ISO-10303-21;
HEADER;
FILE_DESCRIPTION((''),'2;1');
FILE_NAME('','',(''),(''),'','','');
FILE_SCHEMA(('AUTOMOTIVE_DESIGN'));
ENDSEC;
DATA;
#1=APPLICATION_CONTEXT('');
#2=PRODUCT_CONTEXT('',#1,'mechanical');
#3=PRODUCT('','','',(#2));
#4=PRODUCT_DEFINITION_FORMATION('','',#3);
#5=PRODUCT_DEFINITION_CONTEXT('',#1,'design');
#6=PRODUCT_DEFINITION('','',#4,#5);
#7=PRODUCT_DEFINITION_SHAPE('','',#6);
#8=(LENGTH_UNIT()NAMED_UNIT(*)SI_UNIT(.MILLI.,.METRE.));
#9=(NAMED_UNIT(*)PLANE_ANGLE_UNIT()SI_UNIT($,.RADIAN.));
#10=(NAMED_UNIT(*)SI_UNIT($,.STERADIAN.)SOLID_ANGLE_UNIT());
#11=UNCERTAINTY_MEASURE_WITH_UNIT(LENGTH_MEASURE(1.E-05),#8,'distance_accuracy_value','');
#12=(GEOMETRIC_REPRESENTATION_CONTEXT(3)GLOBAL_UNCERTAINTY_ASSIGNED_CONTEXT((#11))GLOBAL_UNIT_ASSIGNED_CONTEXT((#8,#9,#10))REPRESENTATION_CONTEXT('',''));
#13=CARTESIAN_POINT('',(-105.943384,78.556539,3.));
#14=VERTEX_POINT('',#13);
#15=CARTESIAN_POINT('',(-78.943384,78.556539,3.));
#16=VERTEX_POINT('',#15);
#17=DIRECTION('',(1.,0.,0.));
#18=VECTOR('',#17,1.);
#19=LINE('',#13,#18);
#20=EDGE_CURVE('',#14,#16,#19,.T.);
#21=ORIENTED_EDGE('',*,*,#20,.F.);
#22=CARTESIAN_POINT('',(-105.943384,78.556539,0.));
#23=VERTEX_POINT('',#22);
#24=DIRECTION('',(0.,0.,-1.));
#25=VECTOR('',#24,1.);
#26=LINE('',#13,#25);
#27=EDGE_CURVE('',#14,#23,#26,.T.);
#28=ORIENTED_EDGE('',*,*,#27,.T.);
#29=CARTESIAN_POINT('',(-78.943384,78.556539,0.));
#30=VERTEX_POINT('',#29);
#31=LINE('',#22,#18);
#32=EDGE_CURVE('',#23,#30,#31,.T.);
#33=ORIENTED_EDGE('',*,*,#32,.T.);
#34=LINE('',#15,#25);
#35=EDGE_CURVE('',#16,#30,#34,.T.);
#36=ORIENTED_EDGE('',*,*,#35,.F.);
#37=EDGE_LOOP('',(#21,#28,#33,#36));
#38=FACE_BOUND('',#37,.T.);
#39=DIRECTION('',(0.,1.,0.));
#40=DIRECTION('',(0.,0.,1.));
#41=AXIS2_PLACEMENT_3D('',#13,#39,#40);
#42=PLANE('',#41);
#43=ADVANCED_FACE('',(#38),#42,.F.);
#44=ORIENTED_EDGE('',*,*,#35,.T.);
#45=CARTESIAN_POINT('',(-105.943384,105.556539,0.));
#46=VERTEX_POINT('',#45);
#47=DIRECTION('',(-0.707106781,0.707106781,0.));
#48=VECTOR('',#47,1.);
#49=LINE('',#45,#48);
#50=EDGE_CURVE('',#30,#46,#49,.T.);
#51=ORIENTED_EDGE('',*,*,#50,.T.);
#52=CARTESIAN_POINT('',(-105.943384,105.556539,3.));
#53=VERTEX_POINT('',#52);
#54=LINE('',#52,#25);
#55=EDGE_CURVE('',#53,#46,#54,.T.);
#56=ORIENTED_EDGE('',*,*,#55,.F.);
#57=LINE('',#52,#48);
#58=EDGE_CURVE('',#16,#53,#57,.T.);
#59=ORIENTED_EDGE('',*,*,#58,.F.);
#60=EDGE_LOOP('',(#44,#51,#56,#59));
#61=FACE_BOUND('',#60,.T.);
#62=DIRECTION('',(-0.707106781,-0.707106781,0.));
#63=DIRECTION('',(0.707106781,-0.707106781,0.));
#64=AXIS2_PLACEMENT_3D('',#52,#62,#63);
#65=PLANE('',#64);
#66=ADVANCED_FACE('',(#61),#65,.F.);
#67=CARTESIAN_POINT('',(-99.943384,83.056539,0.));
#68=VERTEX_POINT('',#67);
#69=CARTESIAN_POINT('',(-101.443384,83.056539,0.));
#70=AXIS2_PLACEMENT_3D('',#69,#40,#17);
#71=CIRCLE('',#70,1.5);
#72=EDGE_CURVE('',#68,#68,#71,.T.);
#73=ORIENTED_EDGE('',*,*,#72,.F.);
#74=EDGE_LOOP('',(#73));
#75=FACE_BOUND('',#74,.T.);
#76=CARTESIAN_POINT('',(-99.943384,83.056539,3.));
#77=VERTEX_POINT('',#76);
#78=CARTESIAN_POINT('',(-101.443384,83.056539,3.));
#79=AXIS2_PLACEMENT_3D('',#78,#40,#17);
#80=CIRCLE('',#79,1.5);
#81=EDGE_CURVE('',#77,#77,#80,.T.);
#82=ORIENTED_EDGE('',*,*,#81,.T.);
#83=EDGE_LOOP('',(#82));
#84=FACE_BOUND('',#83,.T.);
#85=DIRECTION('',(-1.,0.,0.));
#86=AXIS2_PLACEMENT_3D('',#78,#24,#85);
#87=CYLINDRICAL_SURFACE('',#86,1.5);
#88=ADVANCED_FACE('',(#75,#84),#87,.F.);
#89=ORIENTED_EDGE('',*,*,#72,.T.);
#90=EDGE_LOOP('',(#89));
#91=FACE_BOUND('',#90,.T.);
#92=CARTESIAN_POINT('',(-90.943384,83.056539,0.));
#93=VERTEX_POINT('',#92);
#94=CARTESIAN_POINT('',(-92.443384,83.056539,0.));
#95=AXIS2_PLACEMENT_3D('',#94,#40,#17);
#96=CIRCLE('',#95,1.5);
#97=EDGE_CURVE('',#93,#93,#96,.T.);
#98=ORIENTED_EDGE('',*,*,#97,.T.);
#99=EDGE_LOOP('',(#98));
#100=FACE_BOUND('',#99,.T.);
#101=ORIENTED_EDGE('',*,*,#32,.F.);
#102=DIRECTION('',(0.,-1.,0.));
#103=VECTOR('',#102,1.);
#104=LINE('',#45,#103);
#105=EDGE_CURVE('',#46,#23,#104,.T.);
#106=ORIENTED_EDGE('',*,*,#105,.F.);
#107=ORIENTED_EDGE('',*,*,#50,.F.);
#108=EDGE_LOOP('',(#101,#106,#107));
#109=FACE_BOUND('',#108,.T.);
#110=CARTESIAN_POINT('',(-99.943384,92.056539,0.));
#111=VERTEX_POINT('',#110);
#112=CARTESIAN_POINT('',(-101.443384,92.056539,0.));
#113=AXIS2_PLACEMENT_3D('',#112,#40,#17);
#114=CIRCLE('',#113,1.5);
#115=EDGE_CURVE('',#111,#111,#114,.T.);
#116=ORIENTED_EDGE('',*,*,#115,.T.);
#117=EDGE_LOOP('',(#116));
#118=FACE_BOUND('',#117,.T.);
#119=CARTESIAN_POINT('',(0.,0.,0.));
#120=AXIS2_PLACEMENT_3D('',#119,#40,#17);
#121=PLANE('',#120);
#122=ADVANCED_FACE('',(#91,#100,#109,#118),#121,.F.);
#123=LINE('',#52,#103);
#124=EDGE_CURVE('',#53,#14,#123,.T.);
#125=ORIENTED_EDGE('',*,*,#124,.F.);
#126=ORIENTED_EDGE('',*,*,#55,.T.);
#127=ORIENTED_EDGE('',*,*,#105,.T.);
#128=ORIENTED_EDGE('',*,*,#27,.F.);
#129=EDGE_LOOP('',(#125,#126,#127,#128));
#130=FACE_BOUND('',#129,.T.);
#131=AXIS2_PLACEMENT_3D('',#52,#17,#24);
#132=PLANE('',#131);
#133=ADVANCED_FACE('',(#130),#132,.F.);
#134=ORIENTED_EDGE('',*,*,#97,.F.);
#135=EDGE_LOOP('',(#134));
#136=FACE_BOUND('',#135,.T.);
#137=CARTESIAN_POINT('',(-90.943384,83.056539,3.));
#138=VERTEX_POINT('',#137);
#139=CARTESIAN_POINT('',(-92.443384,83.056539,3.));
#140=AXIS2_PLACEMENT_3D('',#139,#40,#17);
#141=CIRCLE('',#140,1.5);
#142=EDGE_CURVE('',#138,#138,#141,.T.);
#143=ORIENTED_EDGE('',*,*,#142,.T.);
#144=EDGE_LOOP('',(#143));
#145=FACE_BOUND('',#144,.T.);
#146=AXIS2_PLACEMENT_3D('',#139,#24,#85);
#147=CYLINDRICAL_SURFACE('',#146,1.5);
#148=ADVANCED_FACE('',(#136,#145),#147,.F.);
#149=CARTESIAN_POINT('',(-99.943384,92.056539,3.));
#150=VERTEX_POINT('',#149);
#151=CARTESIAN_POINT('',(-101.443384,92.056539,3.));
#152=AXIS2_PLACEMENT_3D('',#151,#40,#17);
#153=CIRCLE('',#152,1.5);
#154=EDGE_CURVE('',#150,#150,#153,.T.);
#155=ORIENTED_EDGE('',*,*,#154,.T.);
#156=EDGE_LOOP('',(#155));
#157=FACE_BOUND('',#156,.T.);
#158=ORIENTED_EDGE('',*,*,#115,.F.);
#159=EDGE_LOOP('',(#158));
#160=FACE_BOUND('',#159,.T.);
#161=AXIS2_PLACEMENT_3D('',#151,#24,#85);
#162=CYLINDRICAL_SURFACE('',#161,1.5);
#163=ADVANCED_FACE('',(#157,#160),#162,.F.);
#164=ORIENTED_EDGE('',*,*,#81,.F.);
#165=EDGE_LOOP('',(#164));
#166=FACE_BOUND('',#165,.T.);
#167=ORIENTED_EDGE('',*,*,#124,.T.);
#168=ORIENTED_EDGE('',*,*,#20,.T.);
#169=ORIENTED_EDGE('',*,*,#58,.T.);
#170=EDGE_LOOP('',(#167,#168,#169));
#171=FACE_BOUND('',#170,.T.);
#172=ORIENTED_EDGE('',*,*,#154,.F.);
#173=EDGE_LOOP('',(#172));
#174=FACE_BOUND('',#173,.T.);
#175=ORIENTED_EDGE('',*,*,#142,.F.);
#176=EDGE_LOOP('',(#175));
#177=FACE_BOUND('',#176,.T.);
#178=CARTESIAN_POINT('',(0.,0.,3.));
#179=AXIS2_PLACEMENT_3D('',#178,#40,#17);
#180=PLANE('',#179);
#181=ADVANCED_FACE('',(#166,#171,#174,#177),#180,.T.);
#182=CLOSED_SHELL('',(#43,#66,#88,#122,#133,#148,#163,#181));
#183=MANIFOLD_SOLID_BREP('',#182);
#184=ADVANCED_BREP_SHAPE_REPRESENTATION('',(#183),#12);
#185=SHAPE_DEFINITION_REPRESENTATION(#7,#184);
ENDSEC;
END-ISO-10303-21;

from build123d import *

# Parameters (mm, degrees)
MODEL_R                 = 1.5
SALIENTE_EXTRUIR1_DEPTH = 3


with BuildPart() as part:
    # Model → Saliente-Extruir1 (new body)
    with BuildSketch(Plane.XY):
        Polygon((-105.943383637, 105.556539338), (-105.943383637, 78.556539338), (-78.943383637, 78.556539338), align=None)
        with Locations((-101.443383637, 92.056539338)):
            Circle(MODEL_R, mode=Mode.SUBTRACT)
        with Locations((-101.443383637, 83.056539338)):
            Circle(MODEL_R, mode=Mode.SUBTRACT)
        with Locations((-92.443383637, 83.056539338)):
            Circle(MODEL_R, mode=Mode.SUBTRACT)
    extrude(amount=SALIENTE_EXTRUIR1_DEPTH)


solid = part.part
